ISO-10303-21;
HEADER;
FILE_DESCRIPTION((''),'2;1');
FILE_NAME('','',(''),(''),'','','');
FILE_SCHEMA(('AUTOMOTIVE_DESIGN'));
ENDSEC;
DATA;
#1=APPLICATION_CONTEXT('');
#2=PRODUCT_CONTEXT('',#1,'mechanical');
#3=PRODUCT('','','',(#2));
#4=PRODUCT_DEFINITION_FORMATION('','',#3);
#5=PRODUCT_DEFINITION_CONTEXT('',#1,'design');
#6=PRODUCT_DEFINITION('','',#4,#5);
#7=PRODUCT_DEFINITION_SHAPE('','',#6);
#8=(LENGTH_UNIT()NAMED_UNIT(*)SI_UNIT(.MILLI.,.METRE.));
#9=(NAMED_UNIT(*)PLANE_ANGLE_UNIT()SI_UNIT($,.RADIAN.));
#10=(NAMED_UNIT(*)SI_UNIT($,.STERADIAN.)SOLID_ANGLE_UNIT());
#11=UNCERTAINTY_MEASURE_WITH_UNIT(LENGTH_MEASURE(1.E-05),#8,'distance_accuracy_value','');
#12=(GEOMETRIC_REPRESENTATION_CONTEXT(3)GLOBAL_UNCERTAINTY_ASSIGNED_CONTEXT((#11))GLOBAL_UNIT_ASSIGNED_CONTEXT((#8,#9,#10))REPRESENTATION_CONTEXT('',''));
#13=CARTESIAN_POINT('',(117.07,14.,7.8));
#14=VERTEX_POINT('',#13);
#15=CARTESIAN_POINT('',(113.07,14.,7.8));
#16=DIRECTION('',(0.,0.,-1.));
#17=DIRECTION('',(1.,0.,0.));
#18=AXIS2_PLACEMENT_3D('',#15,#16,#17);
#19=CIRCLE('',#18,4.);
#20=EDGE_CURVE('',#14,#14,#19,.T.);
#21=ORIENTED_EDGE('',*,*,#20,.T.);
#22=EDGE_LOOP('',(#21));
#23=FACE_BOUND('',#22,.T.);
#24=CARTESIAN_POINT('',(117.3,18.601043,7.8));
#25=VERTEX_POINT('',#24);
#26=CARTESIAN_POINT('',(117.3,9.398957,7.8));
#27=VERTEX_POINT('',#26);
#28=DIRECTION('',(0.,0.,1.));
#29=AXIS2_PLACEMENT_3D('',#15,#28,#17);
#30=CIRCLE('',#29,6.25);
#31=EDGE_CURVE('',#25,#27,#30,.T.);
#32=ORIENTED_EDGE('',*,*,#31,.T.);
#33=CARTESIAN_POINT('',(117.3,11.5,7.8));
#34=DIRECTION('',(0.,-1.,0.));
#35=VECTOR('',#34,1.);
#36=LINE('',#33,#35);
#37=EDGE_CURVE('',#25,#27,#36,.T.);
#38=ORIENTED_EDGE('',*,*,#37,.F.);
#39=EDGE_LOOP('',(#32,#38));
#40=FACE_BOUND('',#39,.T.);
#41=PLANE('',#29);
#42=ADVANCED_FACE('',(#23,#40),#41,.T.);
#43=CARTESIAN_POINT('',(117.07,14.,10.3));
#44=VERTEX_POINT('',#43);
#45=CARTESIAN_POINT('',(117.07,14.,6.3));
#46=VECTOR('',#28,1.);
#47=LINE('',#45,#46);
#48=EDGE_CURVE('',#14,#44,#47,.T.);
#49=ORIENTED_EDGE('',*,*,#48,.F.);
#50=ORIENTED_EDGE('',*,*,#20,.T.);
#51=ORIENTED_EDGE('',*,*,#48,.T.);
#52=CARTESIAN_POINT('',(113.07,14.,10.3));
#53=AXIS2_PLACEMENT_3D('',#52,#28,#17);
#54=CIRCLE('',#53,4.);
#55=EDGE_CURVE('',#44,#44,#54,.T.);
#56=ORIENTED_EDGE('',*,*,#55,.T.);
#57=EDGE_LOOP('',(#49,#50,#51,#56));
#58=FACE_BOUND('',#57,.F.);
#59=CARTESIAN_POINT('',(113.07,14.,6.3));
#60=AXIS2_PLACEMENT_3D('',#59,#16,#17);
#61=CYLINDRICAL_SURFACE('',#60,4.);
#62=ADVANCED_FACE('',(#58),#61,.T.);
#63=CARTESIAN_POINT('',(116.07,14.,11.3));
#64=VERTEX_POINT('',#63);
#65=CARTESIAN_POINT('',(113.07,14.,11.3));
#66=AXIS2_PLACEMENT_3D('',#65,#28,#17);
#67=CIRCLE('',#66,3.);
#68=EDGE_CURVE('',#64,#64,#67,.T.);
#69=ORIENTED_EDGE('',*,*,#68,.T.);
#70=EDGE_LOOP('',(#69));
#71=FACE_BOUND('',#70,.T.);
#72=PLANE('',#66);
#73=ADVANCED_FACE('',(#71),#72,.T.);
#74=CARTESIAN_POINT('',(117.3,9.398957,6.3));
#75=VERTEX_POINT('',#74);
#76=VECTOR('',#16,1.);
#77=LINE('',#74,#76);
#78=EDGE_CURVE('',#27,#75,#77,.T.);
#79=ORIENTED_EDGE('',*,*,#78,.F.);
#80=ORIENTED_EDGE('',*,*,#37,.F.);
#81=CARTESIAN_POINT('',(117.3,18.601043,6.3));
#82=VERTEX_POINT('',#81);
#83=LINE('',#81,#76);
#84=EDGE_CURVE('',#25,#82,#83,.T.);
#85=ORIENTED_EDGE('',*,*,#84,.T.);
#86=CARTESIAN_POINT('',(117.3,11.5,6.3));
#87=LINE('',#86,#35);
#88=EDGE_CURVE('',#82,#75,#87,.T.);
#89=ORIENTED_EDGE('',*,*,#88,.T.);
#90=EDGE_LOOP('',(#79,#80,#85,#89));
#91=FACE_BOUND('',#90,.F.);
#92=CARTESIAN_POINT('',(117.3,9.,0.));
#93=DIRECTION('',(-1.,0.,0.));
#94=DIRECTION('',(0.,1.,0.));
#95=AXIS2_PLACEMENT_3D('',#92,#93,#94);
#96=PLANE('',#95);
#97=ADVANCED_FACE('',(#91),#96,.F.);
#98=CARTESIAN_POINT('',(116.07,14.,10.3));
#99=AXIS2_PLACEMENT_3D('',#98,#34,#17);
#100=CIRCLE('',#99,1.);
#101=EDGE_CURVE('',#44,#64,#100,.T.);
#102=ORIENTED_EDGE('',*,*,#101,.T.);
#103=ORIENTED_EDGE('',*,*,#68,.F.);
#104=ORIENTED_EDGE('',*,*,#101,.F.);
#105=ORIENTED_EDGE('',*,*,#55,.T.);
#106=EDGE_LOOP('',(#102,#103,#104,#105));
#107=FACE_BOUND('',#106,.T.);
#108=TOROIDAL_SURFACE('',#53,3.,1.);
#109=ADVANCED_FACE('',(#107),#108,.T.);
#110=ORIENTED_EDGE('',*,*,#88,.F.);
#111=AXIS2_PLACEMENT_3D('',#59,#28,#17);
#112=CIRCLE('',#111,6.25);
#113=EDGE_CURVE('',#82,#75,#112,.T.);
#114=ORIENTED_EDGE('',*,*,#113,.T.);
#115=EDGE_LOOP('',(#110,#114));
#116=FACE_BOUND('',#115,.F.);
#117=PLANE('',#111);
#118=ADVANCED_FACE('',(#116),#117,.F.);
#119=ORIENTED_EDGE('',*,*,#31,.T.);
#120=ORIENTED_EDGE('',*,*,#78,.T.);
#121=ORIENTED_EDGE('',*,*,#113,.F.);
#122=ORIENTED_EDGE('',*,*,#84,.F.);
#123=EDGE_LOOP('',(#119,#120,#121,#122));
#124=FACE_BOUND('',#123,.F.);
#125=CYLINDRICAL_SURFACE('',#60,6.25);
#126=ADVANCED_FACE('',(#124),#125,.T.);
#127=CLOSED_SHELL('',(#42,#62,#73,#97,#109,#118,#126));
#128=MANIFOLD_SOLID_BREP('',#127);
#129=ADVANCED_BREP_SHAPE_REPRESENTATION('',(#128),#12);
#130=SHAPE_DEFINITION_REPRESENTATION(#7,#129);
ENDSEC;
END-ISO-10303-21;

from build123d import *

# Parameters (mm, degrees)
BOX116_W          = 10
BOX116_H          = 10
BOX116_DEPTH      = 10
CYLINDER019_R     = 4
CYLINDER019_DEPTH = 5
FILLET003_R       = 1
CYLINDER018_R     = 6.25
CYLINDER018_DEPTH = 1.5


with BuildPart() as cube106:
    # Box116 → Box116 (new body)
    with BuildSketch(Plane(origin=(117.3, 9, 0), x_dir=(1, 0, 0), z_dir=(0, 0, 1))):
        with Locations((5, 5)):
            Rectangle(BOX116_W, BOX116_H)
    extrude(amount=BOX116_DEPTH)


with BuildPart() as btn2_top:
    # Cylinder019 → Cylinder019 (new body)
    with BuildSketch(Plane(origin=(131.07, 14, 6.3), x_dir=(1, 0, 0), z_dir=(0, 0, 1))):
        Circle(CYLINDER019_R)
    extrude(amount=CYLINDER019_DEPTH)

    # Fillet003
    fillet003_edges = [btn2_top.edges().sort_by_distance(p)[0] for p in [
        (127.07, 14, 11.3),
    ]]
    fillet(fillet003_edges, radius=FILLET003_R)


with BuildPart() as cut072:
    # Cylinder018 → Cylinder018 (new body)
    with BuildSketch(Plane(origin=(131.07, 14, 6.3), x_dir=(1, 0, 0), z_dir=(0, 0, 1))):
        Circle(CYLINDER018_R)
    extrude(amount=CYLINDER018_DEPTH)

    # Fusion014: union Btn2_Top
    add(btn2_top.part)


with BuildPart() as cut072_1:
    # Fusion014 placement: moved
    add(cut072.part.moved(Location((-18, 0, 0))))

    # Cut072: cut Cube106
    add(cube106.part, mode=Mode.SUBTRACT)


solid = cut072_1.part
